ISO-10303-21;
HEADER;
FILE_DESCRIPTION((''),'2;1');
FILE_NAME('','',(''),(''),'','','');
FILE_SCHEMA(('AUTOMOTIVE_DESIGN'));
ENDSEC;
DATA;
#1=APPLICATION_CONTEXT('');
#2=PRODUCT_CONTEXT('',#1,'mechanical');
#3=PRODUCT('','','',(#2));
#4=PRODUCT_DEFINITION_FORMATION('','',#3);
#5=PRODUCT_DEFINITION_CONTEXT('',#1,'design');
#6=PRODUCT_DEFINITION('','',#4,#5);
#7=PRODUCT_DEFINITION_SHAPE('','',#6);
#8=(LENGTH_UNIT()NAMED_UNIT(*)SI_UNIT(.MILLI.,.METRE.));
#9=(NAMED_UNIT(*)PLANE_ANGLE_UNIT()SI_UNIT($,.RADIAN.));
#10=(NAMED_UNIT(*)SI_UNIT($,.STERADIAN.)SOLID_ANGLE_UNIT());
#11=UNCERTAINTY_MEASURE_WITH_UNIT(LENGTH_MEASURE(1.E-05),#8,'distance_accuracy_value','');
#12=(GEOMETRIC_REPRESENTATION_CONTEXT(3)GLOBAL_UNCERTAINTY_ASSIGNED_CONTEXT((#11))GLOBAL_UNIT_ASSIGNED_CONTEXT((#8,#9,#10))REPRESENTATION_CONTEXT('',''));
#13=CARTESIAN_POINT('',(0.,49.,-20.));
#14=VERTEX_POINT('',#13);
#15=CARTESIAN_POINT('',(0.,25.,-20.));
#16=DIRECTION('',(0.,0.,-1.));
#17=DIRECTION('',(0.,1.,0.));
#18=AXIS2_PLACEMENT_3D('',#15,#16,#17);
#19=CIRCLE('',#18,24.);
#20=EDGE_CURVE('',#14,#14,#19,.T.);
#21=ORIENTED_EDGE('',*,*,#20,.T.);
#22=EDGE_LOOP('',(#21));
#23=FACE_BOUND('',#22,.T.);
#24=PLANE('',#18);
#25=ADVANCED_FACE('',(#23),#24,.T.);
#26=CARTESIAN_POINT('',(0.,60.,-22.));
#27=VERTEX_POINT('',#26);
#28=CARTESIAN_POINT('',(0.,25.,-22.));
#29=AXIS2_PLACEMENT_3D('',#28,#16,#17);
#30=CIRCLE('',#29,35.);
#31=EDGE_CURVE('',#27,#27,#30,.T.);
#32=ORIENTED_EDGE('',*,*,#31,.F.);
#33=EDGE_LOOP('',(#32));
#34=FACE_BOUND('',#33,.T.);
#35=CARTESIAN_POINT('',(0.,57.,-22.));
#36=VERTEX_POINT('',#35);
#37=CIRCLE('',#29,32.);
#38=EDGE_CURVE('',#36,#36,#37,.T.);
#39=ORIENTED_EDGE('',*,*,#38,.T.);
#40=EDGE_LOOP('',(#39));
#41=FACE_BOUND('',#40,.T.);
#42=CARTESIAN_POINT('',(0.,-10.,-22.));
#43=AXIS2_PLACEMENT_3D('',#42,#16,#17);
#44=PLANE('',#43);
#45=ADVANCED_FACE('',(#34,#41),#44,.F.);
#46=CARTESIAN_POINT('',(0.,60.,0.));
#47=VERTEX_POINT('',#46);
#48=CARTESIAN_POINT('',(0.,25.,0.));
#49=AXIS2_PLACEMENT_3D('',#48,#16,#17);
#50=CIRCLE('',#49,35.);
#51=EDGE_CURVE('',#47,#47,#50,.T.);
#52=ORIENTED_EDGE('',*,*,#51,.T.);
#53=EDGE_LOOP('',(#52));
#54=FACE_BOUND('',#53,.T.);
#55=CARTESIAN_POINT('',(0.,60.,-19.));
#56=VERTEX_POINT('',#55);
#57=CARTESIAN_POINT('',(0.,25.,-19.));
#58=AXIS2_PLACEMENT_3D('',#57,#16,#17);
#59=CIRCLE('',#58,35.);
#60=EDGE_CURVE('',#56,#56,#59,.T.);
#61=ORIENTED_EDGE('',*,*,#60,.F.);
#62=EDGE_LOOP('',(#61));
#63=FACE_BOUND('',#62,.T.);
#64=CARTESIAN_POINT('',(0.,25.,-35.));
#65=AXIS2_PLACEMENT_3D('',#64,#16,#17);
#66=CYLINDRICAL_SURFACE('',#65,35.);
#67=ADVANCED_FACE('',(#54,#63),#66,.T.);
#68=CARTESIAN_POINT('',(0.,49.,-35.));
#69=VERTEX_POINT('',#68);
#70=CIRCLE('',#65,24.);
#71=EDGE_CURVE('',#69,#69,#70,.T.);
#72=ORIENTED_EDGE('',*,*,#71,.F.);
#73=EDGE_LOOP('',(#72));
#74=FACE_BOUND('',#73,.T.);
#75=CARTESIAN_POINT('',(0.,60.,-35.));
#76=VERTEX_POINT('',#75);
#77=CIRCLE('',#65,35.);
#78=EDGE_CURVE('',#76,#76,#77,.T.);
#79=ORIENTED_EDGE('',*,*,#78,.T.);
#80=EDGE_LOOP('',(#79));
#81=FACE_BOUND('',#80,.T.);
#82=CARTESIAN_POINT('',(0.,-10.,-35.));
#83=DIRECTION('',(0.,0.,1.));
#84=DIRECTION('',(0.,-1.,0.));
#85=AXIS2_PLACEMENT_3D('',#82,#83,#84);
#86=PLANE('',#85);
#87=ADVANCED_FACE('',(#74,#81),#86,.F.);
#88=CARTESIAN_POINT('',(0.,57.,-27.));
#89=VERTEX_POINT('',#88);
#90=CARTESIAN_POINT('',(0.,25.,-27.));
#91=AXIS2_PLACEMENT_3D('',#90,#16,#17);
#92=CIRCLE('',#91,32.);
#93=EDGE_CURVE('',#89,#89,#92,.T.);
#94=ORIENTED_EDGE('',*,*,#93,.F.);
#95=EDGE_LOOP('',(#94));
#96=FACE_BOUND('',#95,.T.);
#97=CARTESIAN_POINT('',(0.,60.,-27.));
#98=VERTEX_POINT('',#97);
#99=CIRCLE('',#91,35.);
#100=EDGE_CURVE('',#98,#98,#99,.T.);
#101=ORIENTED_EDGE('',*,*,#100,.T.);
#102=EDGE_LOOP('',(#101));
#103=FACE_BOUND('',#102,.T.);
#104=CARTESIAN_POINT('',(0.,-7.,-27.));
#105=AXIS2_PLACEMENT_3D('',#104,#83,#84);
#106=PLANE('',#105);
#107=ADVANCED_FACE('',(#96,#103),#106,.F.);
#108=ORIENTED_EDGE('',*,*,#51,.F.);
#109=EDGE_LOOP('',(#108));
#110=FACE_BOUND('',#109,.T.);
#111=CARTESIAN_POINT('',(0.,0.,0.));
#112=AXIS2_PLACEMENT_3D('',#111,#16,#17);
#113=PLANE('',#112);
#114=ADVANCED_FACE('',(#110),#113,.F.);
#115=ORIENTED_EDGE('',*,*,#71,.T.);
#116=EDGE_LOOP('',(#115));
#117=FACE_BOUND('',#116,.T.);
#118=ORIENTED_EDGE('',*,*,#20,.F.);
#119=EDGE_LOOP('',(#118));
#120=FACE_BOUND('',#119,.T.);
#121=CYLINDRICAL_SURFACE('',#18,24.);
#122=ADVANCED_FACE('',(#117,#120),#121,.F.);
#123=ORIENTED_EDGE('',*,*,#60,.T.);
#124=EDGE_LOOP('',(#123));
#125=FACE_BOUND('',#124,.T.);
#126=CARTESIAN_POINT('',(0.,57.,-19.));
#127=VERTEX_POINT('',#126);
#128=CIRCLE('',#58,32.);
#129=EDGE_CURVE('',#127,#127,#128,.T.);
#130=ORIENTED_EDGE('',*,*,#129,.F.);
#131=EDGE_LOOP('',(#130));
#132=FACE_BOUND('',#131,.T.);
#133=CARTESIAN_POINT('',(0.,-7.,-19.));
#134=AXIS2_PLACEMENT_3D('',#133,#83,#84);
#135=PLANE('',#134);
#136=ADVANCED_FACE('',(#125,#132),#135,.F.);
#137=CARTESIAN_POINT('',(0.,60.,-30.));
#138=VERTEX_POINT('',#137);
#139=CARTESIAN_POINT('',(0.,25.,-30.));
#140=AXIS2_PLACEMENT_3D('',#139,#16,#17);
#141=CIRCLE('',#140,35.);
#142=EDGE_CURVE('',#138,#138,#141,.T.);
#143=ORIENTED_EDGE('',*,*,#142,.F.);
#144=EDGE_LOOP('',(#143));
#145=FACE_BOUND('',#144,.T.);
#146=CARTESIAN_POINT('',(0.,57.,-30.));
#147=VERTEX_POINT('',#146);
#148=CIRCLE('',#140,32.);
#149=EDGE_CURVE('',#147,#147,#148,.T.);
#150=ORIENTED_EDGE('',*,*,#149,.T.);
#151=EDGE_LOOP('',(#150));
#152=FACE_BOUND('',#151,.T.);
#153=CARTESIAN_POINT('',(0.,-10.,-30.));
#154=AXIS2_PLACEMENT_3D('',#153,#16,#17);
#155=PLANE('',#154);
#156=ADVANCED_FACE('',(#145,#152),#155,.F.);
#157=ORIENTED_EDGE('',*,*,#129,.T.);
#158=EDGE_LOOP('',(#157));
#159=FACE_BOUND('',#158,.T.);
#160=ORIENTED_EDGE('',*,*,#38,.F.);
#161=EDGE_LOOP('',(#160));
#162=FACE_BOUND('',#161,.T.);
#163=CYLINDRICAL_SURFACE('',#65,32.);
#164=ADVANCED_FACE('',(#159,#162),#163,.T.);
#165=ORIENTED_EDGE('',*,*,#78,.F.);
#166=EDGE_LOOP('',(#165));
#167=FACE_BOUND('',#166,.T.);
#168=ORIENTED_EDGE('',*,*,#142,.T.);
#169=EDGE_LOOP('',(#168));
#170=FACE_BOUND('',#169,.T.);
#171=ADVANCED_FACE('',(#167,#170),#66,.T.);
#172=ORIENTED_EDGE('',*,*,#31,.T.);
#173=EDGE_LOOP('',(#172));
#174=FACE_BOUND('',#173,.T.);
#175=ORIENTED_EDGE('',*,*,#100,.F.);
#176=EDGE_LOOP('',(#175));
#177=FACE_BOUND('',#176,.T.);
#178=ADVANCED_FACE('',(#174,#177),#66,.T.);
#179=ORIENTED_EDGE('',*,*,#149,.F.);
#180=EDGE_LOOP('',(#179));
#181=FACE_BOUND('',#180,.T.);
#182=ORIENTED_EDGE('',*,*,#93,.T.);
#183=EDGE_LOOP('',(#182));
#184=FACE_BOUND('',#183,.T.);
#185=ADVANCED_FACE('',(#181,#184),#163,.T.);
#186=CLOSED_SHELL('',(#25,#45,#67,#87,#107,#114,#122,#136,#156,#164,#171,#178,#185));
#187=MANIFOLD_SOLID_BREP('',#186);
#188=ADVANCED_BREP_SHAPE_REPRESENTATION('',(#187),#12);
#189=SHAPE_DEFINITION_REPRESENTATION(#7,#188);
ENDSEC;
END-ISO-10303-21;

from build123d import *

# Parameters (mm, degrees)
BOSS_EXTRUDE4_REACH = 79.782
SKETCH4_R           = 25
SKETCH5_R           = 24
CUT_EXTRUDE5_DEPTH  = 15


with BuildPart() as part:
    # Sketch1 → Revolve1 (revolve)
    with BuildSketch(Plane(origin=(0, 0, 0), x_dir=(0, 0, -1), z_dir=(1, 0, 0)), mode=Mode.PRIVATE) as revolve1_sk:
        Polygon((0, 0), (0, -10), (19, -10), (19, -7), (22, -7), (22, -10), (27, -10), (27, -7), (30, -7), (30, -10), (35, -10), (35, 25), (15, 25), (15, 0), align=None)
    revolve(revolve1_sk.sketch.rotate(Axis((0, 25, -35), (0, 0, 1)), 180), axis=Axis((0, 25, -35), (0, 0, 1)))

    # Sketch4 → Boss-Extrude4 (add, up to next)
    with BuildSketch(Plane.XY, mode=Mode.PRIVATE) as boss_extrude4_sk1:
        with Locations((0, 25)):
            Circle(SKETCH4_R)
    boss_extrude4_tool1 = extrude(boss_extrude4_sk1.sketch, amount=-BOSS_EXTRUDE4_REACH, mode=Mode.PRIVATE) - part.part
    add(boss_extrude4_tool1.solids().sort_by_distance((0, 25, 0))[0])

    # Sketch5 → Cut-Extrude5 (cut)
    with BuildSketch(Plane(origin=(0, 0, -35), x_dir=(-1, 0, 0), z_dir=(0, 0, -1))):
        with Locations(Location((0, 25, 0), (0, 0, 90))):
            Circle(SKETCH5_R)
    extrude(amount=-CUT_EXTRUDE5_DEPTH, mode=Mode.SUBTRACT)


solid = part.part
